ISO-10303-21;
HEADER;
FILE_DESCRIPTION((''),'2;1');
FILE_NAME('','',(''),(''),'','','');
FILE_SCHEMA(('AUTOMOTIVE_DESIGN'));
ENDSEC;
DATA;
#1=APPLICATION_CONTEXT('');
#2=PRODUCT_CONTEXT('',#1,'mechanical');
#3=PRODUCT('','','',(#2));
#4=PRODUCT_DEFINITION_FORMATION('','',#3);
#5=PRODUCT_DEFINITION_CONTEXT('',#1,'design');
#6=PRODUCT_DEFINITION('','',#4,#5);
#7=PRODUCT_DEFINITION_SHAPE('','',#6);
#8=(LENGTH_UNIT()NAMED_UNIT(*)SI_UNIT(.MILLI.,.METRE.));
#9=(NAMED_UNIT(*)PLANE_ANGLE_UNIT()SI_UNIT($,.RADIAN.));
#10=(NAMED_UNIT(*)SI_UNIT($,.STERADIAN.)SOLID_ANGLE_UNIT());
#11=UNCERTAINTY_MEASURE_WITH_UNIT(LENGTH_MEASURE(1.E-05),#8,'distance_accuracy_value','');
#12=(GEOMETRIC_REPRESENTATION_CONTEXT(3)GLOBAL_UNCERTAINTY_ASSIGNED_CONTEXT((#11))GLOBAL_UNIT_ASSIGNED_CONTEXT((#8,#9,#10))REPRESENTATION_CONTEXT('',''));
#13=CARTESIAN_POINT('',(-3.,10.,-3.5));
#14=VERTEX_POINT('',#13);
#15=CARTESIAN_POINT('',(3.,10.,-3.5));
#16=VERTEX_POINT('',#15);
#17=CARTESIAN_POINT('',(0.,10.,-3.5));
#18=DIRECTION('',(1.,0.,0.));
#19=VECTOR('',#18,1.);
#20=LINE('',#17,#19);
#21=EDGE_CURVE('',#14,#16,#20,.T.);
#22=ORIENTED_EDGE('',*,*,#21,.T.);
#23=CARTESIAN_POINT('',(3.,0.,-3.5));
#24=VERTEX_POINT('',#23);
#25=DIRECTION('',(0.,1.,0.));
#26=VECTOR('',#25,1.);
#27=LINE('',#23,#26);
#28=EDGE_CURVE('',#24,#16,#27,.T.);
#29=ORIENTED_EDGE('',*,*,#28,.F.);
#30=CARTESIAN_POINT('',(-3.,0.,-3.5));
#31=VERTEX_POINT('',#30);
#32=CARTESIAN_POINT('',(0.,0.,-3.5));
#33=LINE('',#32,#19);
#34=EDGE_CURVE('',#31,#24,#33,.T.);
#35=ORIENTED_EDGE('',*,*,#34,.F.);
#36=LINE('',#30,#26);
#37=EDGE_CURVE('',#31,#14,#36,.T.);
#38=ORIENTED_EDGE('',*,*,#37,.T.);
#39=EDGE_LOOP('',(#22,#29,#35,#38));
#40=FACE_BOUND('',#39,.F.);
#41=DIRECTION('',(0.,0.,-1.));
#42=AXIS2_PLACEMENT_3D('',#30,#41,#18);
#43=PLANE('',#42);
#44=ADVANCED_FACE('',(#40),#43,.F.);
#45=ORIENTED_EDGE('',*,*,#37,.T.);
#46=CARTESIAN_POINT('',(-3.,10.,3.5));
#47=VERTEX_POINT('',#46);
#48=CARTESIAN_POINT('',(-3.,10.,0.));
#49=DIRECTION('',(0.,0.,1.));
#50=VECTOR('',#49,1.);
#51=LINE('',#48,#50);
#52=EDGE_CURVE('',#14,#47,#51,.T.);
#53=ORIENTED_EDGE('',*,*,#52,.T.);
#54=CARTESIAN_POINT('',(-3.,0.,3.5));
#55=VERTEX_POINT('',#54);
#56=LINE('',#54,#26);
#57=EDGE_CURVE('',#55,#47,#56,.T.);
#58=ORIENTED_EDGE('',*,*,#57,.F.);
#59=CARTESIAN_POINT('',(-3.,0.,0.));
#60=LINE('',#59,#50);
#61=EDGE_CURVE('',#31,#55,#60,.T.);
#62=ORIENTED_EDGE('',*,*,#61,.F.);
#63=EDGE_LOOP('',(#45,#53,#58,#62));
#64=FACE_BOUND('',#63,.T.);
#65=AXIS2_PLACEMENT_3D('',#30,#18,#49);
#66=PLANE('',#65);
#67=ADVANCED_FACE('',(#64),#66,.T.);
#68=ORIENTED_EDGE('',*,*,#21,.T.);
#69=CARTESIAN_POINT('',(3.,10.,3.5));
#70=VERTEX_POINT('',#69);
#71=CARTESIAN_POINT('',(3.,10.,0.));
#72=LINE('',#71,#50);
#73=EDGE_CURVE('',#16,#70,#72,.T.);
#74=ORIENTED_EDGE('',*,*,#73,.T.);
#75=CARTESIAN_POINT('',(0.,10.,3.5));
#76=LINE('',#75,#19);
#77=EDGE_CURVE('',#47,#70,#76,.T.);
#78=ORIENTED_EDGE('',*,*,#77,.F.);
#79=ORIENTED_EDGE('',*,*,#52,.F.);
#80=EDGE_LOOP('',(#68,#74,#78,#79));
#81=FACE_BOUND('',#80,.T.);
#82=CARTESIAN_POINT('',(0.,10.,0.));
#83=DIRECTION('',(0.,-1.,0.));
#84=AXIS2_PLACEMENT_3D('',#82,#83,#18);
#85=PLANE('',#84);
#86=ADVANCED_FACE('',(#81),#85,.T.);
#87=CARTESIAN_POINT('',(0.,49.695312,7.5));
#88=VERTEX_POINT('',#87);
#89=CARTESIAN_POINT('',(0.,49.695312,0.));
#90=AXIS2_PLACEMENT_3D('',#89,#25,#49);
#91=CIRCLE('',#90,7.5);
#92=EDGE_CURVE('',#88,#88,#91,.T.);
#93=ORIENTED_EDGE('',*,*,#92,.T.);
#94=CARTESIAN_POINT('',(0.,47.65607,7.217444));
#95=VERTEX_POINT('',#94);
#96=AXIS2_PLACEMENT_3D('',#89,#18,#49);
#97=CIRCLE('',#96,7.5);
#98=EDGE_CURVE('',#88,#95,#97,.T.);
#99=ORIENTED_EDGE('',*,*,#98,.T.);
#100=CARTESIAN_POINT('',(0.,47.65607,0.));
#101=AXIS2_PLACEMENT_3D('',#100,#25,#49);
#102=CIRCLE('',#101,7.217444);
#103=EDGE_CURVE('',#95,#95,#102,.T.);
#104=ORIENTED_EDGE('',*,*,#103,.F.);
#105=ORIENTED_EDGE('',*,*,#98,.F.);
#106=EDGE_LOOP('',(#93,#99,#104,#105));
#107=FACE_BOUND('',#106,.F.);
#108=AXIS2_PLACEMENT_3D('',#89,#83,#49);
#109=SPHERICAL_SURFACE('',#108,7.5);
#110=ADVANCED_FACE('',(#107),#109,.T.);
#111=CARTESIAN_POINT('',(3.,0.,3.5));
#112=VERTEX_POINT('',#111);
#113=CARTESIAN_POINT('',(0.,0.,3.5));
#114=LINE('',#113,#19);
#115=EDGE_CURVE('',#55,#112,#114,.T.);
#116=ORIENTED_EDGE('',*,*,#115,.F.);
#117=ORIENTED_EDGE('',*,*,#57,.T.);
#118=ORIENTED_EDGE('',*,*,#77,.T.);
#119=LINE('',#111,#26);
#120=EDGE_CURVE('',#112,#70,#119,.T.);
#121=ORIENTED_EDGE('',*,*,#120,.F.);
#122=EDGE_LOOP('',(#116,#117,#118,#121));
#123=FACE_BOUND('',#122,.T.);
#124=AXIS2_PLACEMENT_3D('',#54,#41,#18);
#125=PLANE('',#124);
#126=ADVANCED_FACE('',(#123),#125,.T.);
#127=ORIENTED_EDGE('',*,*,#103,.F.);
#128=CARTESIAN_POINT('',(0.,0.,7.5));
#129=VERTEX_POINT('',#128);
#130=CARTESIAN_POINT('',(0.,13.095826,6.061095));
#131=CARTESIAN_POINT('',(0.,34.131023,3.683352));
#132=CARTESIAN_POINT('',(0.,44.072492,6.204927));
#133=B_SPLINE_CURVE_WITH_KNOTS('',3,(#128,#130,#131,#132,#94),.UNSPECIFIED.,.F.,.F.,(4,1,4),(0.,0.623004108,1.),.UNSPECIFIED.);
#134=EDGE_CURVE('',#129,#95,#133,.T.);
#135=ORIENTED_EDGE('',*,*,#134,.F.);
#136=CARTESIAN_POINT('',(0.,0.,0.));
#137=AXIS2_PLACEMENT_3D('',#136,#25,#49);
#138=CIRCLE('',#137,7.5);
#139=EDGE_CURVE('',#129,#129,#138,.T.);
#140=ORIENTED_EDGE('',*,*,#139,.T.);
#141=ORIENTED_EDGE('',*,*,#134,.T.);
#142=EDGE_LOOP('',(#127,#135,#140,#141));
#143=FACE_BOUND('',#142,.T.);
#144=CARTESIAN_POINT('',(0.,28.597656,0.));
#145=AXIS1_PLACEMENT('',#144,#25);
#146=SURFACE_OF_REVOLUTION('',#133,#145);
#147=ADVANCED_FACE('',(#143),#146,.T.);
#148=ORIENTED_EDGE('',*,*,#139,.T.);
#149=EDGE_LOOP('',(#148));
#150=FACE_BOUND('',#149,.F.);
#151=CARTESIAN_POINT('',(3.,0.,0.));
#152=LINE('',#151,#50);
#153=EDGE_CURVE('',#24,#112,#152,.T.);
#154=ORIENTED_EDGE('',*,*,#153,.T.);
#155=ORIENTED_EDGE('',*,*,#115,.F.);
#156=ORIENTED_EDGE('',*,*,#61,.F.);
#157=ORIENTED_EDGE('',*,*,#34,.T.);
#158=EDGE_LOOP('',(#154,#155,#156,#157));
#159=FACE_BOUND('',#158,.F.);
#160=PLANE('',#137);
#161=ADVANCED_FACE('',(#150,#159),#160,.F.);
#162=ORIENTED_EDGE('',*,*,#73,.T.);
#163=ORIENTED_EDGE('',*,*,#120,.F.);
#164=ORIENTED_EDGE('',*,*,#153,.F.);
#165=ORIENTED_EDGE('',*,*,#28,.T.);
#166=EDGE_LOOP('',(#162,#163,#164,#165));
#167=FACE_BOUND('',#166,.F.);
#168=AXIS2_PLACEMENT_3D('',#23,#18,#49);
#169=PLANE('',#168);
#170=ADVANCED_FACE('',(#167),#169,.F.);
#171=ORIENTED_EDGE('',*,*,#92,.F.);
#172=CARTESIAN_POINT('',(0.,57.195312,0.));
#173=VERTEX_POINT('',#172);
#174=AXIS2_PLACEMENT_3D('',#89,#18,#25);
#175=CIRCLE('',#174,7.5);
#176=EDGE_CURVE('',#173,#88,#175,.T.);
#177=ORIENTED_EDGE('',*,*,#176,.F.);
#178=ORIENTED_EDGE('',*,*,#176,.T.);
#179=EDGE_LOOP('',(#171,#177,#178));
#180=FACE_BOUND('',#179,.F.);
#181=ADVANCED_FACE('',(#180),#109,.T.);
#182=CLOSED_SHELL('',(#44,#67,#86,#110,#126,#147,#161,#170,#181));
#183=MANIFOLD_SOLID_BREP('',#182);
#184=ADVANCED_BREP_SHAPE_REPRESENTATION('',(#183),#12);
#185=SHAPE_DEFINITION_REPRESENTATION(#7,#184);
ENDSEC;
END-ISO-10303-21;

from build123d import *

# Parameters (mm, degrees)
F2_W     = 6
F2_H     = 7
F3_DEPTH = 10


with BuildPart() as f1:
    # F0 (on Right) → F1 (revolve)
    with BuildSketch(Plane.YZ):
        with BuildLine():
            Line((0, 7.5), (0, 0))
            Line((0, 0), (42.1953116665, 0))
            ThreePointArc((42.1953116665, 0), (43.7143287047, 4.5252450553), (47.6560697492, 7.2174436196))
            add(Edge.make_bspline(
                [(0, 7.5), (13.0958262147, 6.0610949307), (34.1310230928, 3.6833517316), (44.0724919495, 6.2049269381), (47.6560697492, 7.2174436196)],
                knots=[0, 0, 0, 0, 0.6230041079, 1, 1, 1, 1], degree=3))
        make_face()
        with BuildLine():
            ThreePointArc((47.6560697492, 7.2174436196), (43.7143287047, 4.5252450553), (42.1953116665, 0))
            Line((42.1953116665, 0), (49.6953116665, 0))
            Line((49.6953116665, 0), (49.6953116665, 7.5))
            ThreePointArc((49.6953116665, 7.5), (48.6659495211, 7.4290250756), (47.6560697492, 7.2174436196))
        make_face()
        with BuildLine():
            Line((49.6953116665, 7.5), (49.6953116665, 0))
            Line((49.6953116665, 0), (57.1953116665, 0))
            ThreePointArc((57.1953116665, 0), (54.9986125254, 5.3033008589), (49.6953116665, 7.5))
        make_face()
    revolve(axis=Axis((0, 28.5976558333, 0), (0, 1, 0)))

    # F2 (on face) → F3 (cut)
    with BuildSketch(Plane.XZ):
        Rectangle(F2_W, F2_H)
    extrude(amount=-F3_DEPTH, mode=Mode.SUBTRACT)


solid = f1.part
